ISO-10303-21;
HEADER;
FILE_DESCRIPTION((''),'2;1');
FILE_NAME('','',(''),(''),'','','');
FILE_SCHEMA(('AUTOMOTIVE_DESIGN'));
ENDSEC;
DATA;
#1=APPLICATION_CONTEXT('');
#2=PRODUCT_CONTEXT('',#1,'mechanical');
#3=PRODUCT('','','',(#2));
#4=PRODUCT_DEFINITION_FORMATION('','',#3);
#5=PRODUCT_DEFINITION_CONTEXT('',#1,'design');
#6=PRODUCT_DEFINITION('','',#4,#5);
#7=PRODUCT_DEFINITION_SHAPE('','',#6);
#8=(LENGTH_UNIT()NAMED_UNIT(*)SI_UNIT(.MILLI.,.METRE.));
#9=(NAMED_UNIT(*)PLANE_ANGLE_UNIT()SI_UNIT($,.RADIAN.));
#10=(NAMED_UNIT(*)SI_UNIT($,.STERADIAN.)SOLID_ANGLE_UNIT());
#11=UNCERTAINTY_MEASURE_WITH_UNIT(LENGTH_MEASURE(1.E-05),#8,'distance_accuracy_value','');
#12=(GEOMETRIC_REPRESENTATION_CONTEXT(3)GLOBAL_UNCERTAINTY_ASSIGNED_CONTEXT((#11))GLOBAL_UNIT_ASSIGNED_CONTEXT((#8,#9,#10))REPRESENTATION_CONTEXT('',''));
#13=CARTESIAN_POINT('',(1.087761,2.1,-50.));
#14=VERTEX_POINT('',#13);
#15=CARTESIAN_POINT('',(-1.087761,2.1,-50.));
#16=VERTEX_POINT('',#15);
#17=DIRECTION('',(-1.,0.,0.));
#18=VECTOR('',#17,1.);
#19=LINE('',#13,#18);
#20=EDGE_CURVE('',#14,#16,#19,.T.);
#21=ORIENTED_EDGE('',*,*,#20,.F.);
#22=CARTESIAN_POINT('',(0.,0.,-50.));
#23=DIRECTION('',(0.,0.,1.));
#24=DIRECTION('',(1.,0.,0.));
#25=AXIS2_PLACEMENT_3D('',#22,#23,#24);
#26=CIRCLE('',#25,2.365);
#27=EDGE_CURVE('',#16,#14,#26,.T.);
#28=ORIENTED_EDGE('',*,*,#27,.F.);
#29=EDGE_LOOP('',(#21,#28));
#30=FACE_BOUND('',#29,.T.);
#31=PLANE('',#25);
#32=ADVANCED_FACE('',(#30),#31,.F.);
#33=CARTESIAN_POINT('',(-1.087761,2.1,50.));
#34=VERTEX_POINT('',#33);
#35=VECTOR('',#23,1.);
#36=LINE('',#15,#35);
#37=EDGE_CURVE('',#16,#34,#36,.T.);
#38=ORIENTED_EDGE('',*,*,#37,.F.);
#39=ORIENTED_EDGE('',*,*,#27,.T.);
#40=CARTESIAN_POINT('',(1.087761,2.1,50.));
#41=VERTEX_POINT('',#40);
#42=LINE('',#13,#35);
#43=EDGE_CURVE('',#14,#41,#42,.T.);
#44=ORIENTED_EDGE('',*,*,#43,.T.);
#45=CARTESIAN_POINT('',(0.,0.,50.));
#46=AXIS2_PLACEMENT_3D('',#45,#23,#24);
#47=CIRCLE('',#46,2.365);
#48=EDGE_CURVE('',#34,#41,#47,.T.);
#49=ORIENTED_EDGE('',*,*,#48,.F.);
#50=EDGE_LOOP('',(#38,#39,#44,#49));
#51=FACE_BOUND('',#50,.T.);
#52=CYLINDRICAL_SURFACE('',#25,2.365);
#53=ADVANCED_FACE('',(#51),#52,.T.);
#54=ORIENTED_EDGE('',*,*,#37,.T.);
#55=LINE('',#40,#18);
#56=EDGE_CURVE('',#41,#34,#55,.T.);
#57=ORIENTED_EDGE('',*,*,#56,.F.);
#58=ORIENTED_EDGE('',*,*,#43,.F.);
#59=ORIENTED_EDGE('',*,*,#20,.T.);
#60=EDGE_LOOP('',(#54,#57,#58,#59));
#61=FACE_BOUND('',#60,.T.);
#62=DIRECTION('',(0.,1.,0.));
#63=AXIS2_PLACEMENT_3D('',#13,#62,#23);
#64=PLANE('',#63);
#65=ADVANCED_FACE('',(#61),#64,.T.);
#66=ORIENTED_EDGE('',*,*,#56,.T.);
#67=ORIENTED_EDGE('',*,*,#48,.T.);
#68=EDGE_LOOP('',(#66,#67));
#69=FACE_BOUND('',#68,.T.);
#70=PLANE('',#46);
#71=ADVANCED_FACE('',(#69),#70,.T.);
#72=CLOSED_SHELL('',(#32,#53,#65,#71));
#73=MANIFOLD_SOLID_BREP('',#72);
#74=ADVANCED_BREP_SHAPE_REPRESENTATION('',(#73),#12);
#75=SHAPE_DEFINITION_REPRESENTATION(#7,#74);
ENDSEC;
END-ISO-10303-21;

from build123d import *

# Parameters (mm, degrees)
BOSS_EXTRUDE1_DEPTH = 100


with BuildPart() as part:
    # Sketch1 → Boss-Extrude1 (new body)
    with BuildSketch(Plane.XY.offset(50)):
        with BuildLine():
            Line((1.087761463, 2.1), (-1.087761463, 2.1))
            ThreePointArc((-1.087761463, 2.1), (0, -2.365), (1.087761463, 2.1))
        make_face()
    extrude(amount=-BOSS_EXTRUDE1_DEPTH)


solid = part.part
